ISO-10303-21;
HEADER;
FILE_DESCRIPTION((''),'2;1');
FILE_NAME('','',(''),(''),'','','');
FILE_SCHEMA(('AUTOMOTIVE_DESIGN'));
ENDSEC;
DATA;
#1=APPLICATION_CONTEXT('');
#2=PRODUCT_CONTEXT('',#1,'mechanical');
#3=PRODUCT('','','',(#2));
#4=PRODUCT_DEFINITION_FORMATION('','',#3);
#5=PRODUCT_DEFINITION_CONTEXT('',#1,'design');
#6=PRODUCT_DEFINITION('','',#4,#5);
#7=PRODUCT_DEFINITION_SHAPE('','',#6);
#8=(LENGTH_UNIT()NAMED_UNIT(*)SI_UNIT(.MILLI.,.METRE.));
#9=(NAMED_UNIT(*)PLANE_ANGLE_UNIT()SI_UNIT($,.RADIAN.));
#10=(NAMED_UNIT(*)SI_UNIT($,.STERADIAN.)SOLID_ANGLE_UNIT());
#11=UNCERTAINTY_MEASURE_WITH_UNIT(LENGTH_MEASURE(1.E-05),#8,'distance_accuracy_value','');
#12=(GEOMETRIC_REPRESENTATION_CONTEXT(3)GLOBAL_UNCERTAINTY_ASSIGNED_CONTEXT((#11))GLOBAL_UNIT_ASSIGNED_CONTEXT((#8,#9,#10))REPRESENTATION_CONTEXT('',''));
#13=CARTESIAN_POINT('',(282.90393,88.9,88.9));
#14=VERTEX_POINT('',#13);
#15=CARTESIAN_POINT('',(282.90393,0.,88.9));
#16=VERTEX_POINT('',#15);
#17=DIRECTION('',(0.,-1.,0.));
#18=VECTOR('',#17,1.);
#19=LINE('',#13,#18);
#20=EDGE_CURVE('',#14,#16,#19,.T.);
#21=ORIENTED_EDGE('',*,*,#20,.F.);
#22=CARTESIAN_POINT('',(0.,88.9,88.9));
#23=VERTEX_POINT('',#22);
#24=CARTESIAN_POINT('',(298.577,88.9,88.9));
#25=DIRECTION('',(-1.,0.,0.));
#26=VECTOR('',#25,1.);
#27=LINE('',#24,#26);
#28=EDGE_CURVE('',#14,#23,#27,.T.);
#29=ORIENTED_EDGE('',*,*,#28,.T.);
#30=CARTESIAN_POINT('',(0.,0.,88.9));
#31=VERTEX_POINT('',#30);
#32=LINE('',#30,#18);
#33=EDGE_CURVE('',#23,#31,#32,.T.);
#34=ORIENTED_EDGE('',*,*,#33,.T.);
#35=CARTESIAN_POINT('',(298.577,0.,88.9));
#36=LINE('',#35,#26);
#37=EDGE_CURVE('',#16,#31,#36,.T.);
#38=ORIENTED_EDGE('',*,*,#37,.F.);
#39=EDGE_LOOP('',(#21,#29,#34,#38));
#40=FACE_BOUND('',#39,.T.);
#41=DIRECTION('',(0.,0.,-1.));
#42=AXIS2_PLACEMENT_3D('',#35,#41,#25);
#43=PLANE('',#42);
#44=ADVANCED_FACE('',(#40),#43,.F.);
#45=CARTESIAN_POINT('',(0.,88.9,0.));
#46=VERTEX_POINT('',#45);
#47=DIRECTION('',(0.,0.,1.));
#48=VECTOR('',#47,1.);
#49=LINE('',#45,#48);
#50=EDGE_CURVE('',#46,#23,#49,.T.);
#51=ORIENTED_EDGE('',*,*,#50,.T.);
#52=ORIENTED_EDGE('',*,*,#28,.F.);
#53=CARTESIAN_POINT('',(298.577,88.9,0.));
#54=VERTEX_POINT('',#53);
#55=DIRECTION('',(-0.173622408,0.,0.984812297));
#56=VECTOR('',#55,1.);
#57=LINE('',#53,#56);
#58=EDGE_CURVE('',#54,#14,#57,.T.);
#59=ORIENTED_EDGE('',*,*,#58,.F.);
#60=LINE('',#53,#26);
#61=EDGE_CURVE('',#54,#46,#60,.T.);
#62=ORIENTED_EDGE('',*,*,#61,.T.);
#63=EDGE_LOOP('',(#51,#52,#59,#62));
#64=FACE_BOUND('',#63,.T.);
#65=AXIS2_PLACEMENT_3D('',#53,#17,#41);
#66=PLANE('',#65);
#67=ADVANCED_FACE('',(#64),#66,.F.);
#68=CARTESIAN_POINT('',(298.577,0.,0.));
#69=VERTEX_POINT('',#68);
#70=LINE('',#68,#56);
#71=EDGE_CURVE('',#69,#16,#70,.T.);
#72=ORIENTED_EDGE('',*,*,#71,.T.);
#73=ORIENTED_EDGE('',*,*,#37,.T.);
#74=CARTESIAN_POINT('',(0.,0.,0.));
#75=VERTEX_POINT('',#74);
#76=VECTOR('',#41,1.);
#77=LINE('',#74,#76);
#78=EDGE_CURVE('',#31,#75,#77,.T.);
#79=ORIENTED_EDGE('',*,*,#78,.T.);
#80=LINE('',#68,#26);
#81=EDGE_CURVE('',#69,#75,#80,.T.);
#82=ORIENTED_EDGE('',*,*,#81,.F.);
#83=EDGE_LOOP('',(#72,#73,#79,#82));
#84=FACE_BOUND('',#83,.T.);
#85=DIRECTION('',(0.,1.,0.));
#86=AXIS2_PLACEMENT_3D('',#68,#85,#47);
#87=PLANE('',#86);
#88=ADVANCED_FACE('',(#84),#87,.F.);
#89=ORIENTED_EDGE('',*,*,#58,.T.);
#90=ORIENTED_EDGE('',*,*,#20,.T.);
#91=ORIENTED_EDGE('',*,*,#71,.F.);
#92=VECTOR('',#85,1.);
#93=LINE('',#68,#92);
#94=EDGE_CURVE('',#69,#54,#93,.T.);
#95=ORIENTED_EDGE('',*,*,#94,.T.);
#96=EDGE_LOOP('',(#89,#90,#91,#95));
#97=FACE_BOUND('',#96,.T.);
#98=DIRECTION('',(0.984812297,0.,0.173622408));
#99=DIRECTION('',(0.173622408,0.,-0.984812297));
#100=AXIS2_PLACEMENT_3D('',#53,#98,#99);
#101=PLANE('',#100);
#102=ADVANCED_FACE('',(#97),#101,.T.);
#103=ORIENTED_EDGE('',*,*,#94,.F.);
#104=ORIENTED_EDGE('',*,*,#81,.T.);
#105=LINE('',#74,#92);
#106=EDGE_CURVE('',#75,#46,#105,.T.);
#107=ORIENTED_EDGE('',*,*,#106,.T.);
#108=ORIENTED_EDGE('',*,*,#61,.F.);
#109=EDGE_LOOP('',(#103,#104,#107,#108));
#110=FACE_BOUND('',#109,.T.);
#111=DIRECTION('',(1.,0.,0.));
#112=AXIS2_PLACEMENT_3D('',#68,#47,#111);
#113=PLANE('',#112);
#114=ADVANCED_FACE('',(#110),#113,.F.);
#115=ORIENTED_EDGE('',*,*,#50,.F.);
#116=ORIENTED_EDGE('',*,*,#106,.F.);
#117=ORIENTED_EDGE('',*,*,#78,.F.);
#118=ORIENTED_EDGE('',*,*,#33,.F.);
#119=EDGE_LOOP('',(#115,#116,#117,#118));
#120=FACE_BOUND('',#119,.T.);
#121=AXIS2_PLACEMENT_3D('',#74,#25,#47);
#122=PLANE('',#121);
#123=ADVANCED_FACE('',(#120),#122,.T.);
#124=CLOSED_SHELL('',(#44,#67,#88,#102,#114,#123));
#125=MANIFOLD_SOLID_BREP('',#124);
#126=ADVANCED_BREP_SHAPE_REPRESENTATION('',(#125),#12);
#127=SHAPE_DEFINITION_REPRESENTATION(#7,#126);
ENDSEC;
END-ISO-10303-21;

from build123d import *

# Parameters (mm, degrees)
SKETCH1_W           = 88.9
SKETCH1_H           = 88.9
BOSS_EXTRUDE1_DEPTH = 298.577
CUT_EXTRUDE1_DEPTH  = 88.9


with BuildPart() as part:
    # Sketch1 → Boss-Extrude1 (new body)
    with BuildSketch(Plane.YZ):
        with Locations((44.45, 44.45)):
            Rectangle(SKETCH1_W, SKETCH1_H)
    extrude(amount=BOSS_EXTRUDE1_DEPTH)

    # Sketch2 → Cut-Extrude1 (cut)
    with BuildSketch(Plane(origin=(0, 0, 0), x_dir=(-1, 0, 0), z_dir=(0, 1, 0))):
        Polygon((-298.577, 0), (-282.90393, 88.9), (-298.577, 88.9), align=None)
    extrude(amount=CUT_EXTRUDE1_DEPTH, mode=Mode.SUBTRACT)


solid = part.part
